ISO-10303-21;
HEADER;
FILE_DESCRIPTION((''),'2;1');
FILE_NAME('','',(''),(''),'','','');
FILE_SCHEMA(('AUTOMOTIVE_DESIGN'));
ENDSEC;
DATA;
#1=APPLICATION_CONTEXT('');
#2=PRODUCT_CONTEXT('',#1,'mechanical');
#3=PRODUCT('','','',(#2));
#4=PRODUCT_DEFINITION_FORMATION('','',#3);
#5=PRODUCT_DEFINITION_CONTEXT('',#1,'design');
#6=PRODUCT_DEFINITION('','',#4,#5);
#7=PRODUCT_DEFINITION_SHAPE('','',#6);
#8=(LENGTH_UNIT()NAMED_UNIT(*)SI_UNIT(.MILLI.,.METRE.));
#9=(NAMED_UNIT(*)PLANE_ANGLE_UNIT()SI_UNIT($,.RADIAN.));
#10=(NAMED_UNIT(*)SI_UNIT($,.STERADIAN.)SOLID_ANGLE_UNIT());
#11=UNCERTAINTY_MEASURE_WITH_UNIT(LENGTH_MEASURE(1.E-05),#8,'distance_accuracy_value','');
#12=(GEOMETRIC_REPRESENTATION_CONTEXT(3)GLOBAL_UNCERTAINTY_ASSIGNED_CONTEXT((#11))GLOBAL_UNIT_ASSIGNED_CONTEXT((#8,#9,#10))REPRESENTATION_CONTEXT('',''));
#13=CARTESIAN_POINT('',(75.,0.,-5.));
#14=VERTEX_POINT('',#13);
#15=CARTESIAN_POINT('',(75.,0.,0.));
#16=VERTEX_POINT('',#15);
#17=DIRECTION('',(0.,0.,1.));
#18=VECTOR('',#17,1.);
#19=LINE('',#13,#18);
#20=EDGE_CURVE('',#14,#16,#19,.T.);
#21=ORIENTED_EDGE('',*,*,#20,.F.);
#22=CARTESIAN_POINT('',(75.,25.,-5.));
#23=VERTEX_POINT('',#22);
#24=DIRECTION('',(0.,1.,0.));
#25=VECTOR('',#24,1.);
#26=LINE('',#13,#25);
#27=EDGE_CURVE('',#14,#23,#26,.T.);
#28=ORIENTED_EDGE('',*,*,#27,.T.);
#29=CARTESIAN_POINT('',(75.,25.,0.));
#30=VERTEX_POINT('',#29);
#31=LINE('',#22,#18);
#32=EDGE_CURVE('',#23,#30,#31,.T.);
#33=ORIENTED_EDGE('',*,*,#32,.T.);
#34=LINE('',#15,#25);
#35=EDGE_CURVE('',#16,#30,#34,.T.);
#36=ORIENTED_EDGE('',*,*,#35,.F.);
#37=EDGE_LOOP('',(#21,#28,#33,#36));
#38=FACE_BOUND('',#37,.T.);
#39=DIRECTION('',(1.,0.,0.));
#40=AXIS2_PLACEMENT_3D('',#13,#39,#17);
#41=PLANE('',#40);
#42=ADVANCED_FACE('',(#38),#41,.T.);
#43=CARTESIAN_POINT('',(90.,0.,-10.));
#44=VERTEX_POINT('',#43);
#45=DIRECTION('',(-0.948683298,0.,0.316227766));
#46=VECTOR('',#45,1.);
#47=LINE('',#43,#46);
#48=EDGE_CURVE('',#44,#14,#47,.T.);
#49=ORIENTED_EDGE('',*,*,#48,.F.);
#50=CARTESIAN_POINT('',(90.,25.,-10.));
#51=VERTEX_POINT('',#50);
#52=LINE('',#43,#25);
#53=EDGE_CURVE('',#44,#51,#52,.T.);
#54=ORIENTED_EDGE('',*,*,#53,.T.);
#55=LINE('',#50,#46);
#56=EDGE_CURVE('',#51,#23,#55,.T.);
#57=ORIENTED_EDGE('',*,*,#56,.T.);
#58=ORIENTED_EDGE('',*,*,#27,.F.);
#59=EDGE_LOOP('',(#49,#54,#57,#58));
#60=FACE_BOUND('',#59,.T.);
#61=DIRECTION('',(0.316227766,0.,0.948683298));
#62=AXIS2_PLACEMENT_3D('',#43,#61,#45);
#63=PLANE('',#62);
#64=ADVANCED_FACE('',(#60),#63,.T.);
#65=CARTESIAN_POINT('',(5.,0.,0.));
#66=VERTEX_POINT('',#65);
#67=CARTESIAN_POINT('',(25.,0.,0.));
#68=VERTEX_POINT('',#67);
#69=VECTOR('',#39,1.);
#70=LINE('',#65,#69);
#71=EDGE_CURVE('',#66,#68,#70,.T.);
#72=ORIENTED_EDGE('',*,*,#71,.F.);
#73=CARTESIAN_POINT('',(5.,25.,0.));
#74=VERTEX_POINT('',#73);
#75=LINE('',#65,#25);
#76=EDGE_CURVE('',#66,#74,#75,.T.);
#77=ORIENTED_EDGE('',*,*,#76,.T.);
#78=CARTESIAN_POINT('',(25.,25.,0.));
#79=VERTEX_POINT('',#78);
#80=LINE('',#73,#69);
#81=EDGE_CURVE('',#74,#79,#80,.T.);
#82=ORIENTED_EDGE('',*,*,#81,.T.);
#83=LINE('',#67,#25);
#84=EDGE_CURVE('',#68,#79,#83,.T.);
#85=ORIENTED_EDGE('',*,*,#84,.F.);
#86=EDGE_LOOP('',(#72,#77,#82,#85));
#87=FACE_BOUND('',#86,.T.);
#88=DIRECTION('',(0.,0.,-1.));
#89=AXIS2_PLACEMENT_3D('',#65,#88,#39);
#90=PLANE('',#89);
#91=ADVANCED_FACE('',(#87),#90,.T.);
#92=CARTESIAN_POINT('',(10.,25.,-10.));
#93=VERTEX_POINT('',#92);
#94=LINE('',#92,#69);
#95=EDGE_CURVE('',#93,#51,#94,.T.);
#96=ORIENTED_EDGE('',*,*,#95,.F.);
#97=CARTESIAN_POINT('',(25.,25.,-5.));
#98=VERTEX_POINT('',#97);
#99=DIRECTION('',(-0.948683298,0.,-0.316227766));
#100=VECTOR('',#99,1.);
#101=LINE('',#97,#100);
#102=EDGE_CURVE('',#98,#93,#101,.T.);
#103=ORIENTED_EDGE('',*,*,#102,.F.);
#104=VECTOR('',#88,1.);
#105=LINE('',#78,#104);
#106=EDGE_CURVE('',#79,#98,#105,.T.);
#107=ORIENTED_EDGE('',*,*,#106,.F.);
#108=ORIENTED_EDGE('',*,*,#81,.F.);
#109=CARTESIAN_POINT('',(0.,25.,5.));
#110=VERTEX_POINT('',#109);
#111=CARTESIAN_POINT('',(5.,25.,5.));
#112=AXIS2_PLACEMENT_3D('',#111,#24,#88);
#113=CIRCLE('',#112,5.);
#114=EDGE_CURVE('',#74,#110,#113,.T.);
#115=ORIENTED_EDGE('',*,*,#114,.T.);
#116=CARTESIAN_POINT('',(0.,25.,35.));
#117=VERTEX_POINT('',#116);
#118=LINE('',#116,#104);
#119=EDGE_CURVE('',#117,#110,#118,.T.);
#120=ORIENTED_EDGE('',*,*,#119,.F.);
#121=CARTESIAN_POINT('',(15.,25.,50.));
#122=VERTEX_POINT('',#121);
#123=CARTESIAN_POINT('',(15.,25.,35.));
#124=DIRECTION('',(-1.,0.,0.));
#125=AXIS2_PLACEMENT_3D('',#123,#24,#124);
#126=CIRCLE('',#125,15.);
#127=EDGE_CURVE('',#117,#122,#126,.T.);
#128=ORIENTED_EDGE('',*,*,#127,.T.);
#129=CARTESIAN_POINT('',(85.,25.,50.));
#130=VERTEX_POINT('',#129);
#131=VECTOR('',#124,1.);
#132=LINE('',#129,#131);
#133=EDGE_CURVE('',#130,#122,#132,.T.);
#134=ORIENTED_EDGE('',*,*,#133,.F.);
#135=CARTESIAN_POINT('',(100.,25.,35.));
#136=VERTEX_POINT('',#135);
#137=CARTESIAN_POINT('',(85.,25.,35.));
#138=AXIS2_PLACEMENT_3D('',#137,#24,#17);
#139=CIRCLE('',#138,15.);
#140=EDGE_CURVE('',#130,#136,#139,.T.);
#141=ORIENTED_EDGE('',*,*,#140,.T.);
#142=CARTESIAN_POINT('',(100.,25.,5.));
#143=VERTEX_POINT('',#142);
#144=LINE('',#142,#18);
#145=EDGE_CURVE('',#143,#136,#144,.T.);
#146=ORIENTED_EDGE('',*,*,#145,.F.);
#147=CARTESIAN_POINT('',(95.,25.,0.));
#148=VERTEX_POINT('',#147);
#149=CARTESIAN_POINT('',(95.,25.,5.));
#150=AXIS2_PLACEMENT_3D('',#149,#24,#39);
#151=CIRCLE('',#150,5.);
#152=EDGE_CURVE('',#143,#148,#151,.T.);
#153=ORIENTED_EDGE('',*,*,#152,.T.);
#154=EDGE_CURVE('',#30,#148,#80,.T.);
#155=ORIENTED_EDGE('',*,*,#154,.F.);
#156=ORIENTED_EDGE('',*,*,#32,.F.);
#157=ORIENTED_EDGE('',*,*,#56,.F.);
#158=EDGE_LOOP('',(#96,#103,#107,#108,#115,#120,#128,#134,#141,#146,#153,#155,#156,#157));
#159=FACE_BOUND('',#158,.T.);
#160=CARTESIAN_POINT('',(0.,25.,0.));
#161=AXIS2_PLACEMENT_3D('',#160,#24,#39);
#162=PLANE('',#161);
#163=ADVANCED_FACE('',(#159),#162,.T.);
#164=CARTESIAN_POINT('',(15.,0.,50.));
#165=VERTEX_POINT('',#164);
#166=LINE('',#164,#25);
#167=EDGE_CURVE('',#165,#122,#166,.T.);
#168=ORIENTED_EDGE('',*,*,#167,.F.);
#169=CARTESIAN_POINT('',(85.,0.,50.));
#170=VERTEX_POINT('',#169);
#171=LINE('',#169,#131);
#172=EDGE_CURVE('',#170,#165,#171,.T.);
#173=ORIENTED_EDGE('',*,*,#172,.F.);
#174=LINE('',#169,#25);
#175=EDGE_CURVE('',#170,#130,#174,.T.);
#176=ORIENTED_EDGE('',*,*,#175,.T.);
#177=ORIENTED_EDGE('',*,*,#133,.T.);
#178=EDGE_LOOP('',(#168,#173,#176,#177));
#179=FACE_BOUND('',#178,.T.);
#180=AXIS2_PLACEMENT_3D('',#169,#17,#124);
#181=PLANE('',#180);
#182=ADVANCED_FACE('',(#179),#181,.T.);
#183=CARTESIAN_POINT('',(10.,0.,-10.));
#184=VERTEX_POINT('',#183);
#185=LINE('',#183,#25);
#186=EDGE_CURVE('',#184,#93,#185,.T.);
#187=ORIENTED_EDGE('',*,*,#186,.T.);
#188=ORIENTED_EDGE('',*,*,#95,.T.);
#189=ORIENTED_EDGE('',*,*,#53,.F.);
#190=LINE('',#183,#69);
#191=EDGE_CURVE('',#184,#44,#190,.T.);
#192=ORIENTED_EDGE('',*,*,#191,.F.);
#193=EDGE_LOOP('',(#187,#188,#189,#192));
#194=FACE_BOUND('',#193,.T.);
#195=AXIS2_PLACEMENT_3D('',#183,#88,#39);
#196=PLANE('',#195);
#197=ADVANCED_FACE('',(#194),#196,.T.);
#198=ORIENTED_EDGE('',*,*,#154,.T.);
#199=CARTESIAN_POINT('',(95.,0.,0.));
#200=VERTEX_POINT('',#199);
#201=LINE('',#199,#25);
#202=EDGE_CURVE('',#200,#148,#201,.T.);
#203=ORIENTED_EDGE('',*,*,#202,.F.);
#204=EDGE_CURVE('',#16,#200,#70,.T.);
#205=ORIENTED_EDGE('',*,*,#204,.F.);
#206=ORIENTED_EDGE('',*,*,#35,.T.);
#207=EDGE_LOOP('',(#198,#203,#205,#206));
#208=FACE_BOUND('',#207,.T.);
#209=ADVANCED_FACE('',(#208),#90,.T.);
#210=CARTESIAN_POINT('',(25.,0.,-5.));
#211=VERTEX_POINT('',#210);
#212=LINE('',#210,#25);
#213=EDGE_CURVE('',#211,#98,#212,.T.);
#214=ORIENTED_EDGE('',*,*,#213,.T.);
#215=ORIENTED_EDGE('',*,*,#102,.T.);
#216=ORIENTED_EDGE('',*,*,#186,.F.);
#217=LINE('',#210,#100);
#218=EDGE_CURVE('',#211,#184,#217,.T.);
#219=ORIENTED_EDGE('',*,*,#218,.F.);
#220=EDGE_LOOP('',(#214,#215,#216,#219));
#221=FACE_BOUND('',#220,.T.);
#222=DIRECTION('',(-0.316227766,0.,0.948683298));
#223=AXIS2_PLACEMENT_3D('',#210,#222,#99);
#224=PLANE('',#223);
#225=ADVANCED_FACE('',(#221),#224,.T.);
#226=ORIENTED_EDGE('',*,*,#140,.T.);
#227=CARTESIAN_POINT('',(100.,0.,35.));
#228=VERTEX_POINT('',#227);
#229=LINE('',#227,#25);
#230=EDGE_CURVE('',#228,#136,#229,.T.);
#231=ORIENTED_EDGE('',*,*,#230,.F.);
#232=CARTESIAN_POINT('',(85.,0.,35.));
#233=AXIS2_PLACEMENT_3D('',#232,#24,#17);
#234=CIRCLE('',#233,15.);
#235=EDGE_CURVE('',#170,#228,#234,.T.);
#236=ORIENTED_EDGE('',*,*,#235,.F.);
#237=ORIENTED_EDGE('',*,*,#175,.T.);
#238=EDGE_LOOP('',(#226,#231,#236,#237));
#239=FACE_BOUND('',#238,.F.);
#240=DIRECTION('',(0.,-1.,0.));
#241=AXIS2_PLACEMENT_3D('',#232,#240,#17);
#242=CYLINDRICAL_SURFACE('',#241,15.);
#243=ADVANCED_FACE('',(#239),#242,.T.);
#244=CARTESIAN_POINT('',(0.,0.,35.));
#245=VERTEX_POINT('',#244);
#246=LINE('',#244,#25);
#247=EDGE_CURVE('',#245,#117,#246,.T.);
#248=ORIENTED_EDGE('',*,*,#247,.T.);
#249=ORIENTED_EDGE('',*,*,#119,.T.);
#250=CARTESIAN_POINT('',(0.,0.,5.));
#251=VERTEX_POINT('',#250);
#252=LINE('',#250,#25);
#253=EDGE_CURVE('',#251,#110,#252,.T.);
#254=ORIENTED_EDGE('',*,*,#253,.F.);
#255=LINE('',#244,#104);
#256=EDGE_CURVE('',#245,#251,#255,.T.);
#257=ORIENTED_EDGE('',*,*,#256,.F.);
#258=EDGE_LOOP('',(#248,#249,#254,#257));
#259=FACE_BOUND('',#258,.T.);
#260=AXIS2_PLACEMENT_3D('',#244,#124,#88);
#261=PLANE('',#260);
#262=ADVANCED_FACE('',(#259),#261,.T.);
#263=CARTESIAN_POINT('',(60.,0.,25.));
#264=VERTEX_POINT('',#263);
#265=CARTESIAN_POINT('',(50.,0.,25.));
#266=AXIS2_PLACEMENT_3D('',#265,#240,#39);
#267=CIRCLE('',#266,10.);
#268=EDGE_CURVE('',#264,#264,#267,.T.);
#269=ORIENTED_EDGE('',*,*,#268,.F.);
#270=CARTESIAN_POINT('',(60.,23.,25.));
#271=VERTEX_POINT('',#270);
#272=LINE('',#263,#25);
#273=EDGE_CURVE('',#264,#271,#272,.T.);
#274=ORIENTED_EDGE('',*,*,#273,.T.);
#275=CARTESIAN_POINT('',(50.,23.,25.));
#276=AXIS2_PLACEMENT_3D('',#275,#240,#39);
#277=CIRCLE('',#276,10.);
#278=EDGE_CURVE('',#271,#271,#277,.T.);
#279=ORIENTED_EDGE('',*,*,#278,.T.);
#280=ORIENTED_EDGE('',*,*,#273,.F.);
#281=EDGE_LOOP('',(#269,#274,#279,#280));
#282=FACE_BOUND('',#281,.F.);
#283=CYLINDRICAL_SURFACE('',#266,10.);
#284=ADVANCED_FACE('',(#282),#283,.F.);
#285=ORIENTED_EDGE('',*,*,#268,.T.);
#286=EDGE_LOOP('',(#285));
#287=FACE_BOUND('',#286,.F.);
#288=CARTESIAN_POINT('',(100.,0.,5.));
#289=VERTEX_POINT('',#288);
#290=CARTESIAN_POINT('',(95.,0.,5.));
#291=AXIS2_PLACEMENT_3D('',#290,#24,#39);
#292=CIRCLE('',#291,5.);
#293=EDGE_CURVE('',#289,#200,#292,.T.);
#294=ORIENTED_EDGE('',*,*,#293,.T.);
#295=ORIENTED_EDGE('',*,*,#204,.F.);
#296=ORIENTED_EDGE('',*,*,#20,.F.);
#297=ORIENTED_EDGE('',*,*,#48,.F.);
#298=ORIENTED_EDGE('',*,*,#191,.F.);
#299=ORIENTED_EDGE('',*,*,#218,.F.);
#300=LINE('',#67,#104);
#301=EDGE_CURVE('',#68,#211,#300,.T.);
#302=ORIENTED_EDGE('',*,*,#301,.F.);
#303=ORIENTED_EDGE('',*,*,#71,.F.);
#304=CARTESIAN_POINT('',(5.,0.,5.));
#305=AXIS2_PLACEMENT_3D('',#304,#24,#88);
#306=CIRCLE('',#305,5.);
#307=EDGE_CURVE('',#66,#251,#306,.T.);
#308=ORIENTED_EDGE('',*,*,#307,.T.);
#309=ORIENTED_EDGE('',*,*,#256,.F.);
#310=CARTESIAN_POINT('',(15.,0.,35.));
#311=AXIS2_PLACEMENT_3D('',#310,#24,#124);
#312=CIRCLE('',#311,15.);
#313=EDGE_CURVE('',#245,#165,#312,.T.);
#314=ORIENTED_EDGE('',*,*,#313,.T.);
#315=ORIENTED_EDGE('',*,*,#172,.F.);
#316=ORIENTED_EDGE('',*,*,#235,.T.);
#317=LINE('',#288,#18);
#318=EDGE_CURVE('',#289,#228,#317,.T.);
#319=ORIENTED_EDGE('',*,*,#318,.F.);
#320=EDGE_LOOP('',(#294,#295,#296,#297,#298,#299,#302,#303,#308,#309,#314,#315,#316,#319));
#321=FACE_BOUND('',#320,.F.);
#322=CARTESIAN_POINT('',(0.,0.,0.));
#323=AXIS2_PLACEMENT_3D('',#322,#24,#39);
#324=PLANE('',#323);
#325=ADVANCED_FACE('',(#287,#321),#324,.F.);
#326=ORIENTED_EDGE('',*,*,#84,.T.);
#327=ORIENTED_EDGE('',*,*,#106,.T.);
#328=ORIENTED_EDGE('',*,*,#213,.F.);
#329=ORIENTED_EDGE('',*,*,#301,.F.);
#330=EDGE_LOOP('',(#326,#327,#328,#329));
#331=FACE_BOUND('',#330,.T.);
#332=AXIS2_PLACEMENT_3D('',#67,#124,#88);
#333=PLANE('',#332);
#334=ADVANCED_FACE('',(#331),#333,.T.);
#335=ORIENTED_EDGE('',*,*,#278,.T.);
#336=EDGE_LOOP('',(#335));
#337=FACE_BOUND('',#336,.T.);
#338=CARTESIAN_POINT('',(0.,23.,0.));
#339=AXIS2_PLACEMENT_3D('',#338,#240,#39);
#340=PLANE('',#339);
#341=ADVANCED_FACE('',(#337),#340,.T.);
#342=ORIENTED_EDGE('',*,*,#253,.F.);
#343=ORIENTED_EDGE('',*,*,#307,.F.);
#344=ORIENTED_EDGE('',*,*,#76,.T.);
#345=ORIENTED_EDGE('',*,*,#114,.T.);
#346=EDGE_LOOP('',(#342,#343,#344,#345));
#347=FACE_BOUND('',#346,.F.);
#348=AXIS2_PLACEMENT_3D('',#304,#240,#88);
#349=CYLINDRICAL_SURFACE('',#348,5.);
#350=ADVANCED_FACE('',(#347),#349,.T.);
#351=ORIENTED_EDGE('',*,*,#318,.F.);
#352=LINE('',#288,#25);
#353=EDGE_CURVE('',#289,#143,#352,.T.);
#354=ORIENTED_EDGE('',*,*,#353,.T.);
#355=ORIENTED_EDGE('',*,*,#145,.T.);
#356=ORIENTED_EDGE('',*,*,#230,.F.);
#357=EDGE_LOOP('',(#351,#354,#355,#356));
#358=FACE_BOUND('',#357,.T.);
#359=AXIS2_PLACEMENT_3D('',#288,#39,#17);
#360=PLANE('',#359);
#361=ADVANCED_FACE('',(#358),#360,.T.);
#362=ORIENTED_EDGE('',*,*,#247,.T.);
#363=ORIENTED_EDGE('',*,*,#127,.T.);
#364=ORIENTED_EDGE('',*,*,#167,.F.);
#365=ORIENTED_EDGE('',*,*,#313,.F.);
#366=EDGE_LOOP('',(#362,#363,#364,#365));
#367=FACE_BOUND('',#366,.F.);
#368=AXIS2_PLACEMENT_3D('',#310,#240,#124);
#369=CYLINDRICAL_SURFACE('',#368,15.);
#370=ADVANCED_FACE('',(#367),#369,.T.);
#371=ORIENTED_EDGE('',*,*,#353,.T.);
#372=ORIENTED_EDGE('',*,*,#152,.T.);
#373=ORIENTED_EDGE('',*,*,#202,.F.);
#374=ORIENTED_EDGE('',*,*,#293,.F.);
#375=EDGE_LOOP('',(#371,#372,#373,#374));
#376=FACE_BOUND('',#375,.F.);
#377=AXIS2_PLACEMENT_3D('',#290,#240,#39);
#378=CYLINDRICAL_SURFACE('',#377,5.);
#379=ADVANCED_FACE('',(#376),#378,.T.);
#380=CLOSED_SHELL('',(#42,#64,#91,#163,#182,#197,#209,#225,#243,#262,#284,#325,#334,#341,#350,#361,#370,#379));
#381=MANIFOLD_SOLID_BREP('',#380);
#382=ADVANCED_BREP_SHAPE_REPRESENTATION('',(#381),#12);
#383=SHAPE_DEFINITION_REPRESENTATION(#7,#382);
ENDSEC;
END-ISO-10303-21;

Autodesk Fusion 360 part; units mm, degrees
sketch "Sketch1" plane through (0, 0, 0) normal (0, 1, 0) x (1, 0, 0)
  line L0 (5, 0) -> (95, 0)
  line L1 (100, -5) -> (100, -35)
  line L2 (85, -50) -> (15, -50)
  line L3 (0, -35) -> (0, -5)
  arc A0 (0, -35) -> (15, -50) centre (15, -35) ccw
  arc A1 (85, -50) -> (100, -35) centre (85, -35) ccw
  arc A2 (5, 0) -> (0, -5) centre (5, -5) ccw
  arc A3 (100, -5) -> (95, 0) centre (95, -5) ccw
  point P0 (100, 0)
  point P1 (0, -50)
  dimension "d1" = 100
  dimension "d2" = 50
  dimension "d3" = 15
  dimension "d4" = 5
extrude "Extrude1" add sketch "Sketch1" along normal blind 25
shell "Shell1" thickness 3 removed faces 1 at (61.6667, 8.3333, 50)
sketch "Sketch2" plane through (0, 0, 0) normal (0, -1, 0) x (1, 0, 0)
  arc A0 (100, 35) -> (85, 50) centre (85, 35) ccw
  line L0 (85, 50) -> (15, 50)
  arc A1 (15, 50) -> (0, 35) centre (15, 35) ccw
  line L1 (0, 35) -> (0, 5)
  arc A2 (0, 5) -> (5, 0) centre (5, 5) ccw
  line L2 (5, 0) -> (95, 0)
  arc A3 (95, 0) -> (100, 5) centre (95, 5) ccw
  line L3 (100, 5) -> (100, 35)
  line L4 (25, 0) -> (25, -5)
  line L5 (25, -5) -> (10, -10)
  line L6 (10, -10) -> (90, -10)
  line L7 (90, -10) -> (75, -5)
  line L8 (75, -5) -> (75, 0)
  circle A4 centre (50, 25) radius 10
  dimension "d8" = 5
  dimension "d9" = 5
  dimension "d10" = 50
  dimension "d11" = 80
  dimension "d12" = 10
  dimension "d13" = 20
  dimension "d14" = 50
  dimension "d15" = 25
extrude "Extrude2" cut sketch "Sketch2" against normal blind 23 contours A4
extrude "Extrude3" add sketch "Sketch2" against normal blind 25 contours L2 L4 L5 L6 L7 L8
